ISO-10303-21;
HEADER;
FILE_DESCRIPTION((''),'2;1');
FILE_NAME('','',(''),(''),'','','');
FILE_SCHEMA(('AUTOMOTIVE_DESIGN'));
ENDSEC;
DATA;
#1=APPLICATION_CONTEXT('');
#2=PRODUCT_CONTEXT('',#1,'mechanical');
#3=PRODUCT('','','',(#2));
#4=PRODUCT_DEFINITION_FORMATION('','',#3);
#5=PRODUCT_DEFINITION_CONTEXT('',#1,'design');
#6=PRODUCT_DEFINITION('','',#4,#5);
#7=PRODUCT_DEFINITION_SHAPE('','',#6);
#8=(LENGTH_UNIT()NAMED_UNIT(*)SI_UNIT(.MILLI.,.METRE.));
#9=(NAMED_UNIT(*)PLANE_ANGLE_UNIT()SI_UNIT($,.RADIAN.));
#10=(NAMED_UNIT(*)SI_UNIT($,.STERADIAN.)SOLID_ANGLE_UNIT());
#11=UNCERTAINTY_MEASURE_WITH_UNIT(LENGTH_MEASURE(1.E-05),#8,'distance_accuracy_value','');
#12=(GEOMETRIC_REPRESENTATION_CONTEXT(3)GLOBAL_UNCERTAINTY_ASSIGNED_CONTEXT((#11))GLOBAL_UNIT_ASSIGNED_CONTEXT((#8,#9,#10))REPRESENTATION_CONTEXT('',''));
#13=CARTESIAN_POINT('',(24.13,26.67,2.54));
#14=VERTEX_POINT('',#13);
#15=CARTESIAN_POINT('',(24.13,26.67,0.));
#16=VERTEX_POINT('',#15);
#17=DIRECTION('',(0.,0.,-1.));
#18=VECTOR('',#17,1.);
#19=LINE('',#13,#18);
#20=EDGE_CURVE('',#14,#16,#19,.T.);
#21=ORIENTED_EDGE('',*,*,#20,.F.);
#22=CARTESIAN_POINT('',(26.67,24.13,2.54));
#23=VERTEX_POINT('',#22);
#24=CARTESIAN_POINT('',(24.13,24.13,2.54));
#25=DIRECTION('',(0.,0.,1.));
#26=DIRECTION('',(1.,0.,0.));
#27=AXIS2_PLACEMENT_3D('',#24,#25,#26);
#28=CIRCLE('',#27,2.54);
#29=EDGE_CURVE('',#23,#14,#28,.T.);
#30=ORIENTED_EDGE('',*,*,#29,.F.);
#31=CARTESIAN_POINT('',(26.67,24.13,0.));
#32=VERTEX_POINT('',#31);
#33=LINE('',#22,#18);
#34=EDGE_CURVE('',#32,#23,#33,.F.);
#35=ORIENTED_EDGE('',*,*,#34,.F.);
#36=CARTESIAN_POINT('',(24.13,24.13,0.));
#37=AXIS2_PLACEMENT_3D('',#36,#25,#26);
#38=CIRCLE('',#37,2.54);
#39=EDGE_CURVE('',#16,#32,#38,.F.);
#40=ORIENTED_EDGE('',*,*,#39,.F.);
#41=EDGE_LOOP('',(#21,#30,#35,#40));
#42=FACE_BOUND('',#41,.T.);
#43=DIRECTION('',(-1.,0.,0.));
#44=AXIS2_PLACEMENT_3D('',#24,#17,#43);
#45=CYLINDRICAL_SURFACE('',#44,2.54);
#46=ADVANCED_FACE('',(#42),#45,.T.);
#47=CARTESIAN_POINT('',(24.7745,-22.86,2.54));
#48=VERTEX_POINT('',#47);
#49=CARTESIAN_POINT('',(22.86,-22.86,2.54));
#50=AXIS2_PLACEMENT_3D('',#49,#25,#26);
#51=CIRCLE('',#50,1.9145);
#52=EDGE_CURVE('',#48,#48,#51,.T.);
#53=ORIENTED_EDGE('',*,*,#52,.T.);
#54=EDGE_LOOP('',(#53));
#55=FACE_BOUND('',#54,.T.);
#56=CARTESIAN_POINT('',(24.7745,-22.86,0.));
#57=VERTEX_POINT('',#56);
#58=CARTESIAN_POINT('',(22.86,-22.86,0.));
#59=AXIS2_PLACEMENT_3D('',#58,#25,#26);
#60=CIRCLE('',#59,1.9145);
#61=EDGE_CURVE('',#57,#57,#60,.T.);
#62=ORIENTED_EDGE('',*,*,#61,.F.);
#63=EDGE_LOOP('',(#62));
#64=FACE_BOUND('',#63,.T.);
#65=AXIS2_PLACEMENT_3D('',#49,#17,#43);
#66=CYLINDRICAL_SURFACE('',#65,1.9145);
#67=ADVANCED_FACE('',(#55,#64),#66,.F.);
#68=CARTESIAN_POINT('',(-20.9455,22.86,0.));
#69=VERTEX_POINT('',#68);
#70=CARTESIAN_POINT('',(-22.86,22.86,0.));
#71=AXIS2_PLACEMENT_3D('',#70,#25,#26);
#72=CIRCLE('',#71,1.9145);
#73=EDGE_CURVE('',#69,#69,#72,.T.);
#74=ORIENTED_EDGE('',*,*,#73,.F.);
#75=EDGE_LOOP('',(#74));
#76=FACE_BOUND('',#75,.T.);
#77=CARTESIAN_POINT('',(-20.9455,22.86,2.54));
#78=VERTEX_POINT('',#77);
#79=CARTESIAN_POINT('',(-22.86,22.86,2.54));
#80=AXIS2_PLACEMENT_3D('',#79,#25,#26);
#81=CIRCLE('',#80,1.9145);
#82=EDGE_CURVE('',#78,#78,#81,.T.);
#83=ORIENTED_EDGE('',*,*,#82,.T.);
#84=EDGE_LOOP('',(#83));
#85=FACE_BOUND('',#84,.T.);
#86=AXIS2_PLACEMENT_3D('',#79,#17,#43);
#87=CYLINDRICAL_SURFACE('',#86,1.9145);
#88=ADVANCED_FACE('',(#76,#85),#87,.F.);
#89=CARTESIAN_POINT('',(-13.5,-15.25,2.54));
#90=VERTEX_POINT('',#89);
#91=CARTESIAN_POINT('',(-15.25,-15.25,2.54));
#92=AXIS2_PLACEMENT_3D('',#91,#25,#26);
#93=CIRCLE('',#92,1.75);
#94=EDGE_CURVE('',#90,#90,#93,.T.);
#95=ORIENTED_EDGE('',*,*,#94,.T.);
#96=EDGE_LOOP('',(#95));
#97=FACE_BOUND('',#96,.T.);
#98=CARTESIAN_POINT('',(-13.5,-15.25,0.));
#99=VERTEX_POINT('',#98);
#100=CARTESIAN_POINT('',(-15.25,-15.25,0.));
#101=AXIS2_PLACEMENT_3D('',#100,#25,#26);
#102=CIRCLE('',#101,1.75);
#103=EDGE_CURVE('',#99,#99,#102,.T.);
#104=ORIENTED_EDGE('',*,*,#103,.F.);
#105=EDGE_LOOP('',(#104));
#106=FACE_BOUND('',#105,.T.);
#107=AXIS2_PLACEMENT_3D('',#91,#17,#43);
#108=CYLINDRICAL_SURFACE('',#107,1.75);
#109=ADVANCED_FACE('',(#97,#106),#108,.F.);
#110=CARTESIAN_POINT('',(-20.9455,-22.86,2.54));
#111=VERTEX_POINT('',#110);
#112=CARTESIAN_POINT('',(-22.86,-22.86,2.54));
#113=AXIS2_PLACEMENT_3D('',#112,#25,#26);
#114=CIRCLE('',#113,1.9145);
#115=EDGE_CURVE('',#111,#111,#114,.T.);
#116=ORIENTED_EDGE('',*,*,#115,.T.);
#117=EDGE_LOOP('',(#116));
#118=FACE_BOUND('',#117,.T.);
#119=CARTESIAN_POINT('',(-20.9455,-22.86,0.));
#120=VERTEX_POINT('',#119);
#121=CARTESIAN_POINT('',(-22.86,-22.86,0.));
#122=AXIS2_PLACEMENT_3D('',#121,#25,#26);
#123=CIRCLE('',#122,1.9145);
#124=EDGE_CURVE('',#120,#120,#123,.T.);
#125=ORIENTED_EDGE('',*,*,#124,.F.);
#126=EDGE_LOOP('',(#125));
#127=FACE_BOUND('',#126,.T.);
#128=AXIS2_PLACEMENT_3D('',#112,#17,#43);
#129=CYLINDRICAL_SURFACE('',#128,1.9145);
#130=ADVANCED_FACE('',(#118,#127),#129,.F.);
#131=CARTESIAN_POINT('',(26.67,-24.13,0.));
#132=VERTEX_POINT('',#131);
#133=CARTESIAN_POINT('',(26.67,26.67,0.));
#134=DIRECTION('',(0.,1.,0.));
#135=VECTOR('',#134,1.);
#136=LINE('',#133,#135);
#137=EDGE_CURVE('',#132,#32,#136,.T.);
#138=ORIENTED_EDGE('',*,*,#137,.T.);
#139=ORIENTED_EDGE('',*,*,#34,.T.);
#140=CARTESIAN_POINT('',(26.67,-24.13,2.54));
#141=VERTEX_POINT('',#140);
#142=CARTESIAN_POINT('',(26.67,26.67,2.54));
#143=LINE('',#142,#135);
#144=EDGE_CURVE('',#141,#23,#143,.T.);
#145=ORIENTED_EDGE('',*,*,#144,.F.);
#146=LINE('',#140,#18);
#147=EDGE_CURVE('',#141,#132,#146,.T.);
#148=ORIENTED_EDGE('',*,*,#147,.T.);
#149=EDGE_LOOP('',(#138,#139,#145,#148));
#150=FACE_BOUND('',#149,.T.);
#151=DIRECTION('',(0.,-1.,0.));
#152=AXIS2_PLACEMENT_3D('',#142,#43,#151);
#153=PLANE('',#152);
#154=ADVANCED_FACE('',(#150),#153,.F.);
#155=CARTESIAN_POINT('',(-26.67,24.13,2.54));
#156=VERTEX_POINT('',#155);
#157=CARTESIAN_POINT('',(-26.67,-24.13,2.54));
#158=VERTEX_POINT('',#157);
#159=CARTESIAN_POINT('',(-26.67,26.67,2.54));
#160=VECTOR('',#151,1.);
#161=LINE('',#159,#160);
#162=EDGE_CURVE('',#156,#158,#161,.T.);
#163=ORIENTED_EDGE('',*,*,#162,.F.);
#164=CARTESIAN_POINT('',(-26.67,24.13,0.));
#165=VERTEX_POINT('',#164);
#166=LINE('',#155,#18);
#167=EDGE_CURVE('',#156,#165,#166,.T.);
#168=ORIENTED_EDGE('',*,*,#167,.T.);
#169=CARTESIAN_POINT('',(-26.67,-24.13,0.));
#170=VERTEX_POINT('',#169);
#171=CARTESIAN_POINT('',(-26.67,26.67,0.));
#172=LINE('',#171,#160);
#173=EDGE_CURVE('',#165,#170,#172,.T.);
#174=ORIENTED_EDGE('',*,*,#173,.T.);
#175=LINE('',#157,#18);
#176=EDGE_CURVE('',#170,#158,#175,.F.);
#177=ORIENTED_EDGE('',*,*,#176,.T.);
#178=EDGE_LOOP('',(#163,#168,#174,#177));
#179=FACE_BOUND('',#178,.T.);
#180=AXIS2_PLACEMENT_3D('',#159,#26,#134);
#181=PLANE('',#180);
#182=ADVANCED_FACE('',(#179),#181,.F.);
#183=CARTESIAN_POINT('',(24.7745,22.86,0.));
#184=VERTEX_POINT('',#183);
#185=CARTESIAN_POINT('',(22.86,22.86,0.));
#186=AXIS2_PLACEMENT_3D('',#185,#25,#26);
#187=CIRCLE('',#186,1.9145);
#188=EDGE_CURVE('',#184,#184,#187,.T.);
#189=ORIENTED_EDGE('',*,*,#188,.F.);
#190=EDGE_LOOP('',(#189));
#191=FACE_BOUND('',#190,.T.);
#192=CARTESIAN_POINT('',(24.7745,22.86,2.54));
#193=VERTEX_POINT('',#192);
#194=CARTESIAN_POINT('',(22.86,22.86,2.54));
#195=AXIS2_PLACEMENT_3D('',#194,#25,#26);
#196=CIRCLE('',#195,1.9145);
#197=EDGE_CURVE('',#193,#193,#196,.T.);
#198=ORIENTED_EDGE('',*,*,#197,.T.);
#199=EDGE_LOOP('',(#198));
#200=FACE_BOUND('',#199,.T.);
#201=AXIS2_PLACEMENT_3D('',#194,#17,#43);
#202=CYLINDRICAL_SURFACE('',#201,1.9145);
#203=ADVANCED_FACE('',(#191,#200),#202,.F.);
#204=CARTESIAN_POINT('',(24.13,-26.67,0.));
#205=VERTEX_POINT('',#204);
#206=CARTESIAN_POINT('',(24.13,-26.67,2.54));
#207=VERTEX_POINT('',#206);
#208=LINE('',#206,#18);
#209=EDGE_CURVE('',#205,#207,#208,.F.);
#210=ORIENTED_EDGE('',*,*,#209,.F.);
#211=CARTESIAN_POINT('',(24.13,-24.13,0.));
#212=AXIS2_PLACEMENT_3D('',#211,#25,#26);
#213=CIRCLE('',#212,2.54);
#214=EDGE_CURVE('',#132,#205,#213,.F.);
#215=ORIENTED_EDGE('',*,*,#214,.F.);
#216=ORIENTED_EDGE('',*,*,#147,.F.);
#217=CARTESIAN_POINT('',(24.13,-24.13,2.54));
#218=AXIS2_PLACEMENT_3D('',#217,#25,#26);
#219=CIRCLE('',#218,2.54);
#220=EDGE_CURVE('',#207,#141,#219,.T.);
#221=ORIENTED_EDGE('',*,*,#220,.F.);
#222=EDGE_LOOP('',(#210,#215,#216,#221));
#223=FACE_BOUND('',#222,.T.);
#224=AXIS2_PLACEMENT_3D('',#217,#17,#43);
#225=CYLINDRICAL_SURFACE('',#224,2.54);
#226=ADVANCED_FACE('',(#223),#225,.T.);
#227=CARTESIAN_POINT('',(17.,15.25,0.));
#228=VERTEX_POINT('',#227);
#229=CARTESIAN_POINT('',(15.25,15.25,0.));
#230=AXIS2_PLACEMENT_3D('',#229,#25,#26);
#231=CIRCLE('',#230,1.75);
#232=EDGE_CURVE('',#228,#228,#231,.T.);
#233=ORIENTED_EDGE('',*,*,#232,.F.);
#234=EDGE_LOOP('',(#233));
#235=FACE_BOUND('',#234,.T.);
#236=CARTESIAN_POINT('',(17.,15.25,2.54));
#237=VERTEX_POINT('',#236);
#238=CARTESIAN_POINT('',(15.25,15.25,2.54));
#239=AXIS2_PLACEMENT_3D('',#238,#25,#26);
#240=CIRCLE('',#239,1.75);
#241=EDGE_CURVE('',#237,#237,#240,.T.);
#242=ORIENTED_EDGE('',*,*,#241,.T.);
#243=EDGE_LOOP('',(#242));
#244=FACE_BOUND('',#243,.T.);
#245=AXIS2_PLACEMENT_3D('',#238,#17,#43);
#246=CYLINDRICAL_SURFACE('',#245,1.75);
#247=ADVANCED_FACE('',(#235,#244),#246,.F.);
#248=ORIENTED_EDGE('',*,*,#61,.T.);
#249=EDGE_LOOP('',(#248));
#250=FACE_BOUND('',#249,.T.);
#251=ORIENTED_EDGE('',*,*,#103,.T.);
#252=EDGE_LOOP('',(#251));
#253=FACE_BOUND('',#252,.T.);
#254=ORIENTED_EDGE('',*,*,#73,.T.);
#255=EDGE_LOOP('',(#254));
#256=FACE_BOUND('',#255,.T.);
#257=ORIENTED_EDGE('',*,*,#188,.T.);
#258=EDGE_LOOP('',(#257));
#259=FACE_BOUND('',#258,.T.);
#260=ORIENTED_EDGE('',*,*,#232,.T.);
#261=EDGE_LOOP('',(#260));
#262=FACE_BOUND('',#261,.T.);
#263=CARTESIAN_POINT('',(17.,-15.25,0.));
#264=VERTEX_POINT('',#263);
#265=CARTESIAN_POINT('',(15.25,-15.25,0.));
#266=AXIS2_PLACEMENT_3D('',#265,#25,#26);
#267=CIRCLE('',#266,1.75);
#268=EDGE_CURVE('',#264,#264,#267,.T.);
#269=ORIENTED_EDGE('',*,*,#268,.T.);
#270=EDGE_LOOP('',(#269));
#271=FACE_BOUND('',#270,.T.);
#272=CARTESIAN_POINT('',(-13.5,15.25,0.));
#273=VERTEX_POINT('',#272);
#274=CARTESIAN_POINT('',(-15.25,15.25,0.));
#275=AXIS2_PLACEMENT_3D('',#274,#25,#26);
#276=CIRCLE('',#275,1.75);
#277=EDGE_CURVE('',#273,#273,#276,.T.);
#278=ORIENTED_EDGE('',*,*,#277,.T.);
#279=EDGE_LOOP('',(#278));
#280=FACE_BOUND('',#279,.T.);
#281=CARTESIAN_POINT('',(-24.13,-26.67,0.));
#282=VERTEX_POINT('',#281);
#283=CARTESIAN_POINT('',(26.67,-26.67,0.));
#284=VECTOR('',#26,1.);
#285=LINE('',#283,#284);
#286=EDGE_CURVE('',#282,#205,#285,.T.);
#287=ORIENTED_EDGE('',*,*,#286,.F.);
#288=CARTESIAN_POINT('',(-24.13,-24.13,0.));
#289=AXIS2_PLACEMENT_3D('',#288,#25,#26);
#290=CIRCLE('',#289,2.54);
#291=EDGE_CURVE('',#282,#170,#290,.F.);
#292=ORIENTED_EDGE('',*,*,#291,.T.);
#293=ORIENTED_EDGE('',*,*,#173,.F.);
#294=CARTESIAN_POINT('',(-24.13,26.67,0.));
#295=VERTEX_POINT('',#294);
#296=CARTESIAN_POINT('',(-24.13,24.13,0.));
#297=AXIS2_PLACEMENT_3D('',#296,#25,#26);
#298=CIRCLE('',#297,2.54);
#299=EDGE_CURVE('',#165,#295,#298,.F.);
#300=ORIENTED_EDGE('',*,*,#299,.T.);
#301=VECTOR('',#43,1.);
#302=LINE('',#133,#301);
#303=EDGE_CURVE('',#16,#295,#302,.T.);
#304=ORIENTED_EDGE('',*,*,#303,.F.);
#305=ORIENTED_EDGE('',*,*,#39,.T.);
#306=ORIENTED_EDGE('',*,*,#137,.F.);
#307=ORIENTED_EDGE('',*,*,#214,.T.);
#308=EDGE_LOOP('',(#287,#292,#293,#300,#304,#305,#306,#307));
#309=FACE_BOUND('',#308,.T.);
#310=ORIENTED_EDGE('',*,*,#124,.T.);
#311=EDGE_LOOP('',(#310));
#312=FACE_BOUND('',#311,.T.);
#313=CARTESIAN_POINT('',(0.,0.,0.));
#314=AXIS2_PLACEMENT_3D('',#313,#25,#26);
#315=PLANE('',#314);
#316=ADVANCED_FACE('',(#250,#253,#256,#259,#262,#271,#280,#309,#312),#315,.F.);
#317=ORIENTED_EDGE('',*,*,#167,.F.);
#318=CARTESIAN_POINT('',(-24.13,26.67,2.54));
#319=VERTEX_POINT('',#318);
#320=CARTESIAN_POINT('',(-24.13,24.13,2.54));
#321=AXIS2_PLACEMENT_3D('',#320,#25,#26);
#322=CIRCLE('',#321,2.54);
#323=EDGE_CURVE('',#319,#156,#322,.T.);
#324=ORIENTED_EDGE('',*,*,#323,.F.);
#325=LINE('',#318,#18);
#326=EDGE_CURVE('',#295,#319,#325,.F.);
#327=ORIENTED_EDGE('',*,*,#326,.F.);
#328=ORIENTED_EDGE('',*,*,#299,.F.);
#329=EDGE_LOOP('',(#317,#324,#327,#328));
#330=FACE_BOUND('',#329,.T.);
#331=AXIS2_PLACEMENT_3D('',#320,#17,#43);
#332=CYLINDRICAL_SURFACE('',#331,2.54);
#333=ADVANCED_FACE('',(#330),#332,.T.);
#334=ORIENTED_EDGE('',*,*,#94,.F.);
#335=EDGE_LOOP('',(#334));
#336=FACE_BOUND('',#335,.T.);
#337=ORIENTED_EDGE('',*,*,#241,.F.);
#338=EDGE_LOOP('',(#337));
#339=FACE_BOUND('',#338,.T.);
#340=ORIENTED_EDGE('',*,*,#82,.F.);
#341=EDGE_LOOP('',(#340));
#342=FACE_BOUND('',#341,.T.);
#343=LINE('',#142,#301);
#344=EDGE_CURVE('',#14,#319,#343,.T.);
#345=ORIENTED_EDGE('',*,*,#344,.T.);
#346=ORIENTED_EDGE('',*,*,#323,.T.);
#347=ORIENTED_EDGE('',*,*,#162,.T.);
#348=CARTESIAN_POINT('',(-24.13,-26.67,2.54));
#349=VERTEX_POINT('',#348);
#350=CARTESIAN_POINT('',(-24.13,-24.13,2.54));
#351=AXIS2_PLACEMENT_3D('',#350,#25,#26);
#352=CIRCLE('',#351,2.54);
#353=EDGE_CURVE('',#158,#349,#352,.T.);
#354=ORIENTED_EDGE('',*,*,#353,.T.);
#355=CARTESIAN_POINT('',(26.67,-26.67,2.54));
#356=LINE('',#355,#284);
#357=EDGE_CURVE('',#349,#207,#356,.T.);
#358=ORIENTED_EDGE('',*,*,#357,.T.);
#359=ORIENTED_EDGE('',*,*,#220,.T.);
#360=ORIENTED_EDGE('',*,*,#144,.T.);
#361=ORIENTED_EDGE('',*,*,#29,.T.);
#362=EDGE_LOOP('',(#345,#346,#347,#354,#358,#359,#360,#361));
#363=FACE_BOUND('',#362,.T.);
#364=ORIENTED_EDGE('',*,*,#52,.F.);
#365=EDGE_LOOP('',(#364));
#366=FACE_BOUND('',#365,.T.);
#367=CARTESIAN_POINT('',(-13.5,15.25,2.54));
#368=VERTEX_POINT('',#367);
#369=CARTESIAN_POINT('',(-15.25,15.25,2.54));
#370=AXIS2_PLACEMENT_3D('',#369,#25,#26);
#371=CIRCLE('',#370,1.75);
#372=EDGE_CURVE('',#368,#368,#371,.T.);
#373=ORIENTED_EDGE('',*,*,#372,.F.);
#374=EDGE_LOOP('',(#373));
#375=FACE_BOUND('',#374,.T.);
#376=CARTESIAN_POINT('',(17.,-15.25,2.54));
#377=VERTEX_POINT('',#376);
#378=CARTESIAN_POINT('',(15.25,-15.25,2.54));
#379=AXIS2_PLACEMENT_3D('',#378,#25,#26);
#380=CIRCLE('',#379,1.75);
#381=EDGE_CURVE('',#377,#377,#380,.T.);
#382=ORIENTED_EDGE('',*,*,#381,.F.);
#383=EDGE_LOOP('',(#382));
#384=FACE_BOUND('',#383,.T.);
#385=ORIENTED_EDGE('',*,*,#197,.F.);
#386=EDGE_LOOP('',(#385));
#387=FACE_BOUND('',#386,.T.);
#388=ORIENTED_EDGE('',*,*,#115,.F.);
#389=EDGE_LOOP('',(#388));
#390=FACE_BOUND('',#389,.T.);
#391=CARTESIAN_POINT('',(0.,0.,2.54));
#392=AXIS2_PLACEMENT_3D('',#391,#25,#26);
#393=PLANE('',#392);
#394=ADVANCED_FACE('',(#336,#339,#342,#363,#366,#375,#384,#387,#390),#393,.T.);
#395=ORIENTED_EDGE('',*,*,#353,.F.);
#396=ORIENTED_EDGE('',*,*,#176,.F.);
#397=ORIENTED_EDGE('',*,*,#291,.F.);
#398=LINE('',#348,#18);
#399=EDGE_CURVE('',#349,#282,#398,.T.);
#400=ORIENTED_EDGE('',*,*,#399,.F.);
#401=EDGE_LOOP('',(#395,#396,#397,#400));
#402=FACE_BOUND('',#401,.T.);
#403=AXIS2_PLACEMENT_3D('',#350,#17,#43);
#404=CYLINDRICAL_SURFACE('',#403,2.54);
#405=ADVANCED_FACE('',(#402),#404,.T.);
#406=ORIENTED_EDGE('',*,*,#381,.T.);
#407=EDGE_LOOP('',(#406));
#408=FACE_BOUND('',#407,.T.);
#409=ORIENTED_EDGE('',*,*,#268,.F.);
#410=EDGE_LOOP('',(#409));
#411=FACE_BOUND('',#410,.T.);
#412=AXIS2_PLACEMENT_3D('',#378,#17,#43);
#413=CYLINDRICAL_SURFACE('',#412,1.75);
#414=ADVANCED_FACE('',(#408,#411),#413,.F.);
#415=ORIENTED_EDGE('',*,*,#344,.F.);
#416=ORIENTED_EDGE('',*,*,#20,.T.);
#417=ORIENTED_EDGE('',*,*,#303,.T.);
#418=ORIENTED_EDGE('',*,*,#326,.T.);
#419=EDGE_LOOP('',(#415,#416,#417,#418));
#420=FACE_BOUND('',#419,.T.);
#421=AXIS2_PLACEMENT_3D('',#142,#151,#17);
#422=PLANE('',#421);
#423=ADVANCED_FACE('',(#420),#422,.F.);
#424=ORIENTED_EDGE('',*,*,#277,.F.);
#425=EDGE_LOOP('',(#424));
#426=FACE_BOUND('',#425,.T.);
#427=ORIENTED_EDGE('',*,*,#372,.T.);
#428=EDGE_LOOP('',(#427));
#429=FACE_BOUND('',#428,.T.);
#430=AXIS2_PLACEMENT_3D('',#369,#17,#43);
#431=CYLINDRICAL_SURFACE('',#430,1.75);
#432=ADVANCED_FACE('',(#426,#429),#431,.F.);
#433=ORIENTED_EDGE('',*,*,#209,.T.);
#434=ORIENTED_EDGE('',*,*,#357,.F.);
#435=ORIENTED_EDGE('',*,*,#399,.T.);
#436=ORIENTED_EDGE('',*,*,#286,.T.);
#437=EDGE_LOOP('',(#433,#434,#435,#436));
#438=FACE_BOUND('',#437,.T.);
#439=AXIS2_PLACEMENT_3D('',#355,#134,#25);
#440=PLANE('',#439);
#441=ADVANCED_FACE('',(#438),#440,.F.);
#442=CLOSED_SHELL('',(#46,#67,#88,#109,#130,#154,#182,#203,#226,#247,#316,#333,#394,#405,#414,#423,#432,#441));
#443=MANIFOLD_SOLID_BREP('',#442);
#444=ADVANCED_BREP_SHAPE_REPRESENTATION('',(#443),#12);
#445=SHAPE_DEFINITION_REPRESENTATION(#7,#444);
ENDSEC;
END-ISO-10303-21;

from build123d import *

# Parameters (mm, degrees)
SKETCH1_W           = 53.34
SKETCH1_H           = 53.34
SKETCH1_R           = 1.9145
SKETCH1_R_2         = 1.75
BOSS_EXTRUDE1_DEPTH = 2.54
FILLET1_R           = 2.54


with BuildPart() as part:
    # Sketch1 → Boss-Extrude1 (new body)
    with BuildSketch(Plane(origin=(0, 0, 0), x_dir=(0, 1, 0), z_dir=(0, 0, 1))):
        Rectangle(SKETCH1_W, SKETCH1_H)
        with Locations((-22.86, -22.86)):
            Circle(SKETCH1_R, mode=Mode.SUBTRACT)
        with Locations((22.86, -22.86)):
            Circle(SKETCH1_R, mode=Mode.SUBTRACT)
        with Locations((22.86, 22.86)):
            Circle(SKETCH1_R, mode=Mode.SUBTRACT)
        with Locations((-22.86, 22.86)):
            Circle(SKETCH1_R, mode=Mode.SUBTRACT)
        with Locations((-15.25, 15.25)):
            Circle(SKETCH1_R_2, mode=Mode.SUBTRACT)
        with Locations((15.25, 15.25)):
            Circle(SKETCH1_R_2, mode=Mode.SUBTRACT)
        with Locations((15.25, -15.25)):
            Circle(SKETCH1_R_2, mode=Mode.SUBTRACT)
        with Locations((-15.25, -15.25)):
            Circle(SKETCH1_R_2, mode=Mode.SUBTRACT)
    extrude(amount=BOSS_EXTRUDE1_DEPTH)

    # Fillet1
    fillet1_edges = [part.edges().sort_by_distance(p)[0] for p in [
        (-26.67, -26.67, 1.27),
        (-26.67, 26.67, 1.27),
        (26.67, 26.67, 1.27),
        (26.67, -26.67, 1.27),
    ]]
    fillet(fillet1_edges, radius=FILLET1_R)


solid = part.part
